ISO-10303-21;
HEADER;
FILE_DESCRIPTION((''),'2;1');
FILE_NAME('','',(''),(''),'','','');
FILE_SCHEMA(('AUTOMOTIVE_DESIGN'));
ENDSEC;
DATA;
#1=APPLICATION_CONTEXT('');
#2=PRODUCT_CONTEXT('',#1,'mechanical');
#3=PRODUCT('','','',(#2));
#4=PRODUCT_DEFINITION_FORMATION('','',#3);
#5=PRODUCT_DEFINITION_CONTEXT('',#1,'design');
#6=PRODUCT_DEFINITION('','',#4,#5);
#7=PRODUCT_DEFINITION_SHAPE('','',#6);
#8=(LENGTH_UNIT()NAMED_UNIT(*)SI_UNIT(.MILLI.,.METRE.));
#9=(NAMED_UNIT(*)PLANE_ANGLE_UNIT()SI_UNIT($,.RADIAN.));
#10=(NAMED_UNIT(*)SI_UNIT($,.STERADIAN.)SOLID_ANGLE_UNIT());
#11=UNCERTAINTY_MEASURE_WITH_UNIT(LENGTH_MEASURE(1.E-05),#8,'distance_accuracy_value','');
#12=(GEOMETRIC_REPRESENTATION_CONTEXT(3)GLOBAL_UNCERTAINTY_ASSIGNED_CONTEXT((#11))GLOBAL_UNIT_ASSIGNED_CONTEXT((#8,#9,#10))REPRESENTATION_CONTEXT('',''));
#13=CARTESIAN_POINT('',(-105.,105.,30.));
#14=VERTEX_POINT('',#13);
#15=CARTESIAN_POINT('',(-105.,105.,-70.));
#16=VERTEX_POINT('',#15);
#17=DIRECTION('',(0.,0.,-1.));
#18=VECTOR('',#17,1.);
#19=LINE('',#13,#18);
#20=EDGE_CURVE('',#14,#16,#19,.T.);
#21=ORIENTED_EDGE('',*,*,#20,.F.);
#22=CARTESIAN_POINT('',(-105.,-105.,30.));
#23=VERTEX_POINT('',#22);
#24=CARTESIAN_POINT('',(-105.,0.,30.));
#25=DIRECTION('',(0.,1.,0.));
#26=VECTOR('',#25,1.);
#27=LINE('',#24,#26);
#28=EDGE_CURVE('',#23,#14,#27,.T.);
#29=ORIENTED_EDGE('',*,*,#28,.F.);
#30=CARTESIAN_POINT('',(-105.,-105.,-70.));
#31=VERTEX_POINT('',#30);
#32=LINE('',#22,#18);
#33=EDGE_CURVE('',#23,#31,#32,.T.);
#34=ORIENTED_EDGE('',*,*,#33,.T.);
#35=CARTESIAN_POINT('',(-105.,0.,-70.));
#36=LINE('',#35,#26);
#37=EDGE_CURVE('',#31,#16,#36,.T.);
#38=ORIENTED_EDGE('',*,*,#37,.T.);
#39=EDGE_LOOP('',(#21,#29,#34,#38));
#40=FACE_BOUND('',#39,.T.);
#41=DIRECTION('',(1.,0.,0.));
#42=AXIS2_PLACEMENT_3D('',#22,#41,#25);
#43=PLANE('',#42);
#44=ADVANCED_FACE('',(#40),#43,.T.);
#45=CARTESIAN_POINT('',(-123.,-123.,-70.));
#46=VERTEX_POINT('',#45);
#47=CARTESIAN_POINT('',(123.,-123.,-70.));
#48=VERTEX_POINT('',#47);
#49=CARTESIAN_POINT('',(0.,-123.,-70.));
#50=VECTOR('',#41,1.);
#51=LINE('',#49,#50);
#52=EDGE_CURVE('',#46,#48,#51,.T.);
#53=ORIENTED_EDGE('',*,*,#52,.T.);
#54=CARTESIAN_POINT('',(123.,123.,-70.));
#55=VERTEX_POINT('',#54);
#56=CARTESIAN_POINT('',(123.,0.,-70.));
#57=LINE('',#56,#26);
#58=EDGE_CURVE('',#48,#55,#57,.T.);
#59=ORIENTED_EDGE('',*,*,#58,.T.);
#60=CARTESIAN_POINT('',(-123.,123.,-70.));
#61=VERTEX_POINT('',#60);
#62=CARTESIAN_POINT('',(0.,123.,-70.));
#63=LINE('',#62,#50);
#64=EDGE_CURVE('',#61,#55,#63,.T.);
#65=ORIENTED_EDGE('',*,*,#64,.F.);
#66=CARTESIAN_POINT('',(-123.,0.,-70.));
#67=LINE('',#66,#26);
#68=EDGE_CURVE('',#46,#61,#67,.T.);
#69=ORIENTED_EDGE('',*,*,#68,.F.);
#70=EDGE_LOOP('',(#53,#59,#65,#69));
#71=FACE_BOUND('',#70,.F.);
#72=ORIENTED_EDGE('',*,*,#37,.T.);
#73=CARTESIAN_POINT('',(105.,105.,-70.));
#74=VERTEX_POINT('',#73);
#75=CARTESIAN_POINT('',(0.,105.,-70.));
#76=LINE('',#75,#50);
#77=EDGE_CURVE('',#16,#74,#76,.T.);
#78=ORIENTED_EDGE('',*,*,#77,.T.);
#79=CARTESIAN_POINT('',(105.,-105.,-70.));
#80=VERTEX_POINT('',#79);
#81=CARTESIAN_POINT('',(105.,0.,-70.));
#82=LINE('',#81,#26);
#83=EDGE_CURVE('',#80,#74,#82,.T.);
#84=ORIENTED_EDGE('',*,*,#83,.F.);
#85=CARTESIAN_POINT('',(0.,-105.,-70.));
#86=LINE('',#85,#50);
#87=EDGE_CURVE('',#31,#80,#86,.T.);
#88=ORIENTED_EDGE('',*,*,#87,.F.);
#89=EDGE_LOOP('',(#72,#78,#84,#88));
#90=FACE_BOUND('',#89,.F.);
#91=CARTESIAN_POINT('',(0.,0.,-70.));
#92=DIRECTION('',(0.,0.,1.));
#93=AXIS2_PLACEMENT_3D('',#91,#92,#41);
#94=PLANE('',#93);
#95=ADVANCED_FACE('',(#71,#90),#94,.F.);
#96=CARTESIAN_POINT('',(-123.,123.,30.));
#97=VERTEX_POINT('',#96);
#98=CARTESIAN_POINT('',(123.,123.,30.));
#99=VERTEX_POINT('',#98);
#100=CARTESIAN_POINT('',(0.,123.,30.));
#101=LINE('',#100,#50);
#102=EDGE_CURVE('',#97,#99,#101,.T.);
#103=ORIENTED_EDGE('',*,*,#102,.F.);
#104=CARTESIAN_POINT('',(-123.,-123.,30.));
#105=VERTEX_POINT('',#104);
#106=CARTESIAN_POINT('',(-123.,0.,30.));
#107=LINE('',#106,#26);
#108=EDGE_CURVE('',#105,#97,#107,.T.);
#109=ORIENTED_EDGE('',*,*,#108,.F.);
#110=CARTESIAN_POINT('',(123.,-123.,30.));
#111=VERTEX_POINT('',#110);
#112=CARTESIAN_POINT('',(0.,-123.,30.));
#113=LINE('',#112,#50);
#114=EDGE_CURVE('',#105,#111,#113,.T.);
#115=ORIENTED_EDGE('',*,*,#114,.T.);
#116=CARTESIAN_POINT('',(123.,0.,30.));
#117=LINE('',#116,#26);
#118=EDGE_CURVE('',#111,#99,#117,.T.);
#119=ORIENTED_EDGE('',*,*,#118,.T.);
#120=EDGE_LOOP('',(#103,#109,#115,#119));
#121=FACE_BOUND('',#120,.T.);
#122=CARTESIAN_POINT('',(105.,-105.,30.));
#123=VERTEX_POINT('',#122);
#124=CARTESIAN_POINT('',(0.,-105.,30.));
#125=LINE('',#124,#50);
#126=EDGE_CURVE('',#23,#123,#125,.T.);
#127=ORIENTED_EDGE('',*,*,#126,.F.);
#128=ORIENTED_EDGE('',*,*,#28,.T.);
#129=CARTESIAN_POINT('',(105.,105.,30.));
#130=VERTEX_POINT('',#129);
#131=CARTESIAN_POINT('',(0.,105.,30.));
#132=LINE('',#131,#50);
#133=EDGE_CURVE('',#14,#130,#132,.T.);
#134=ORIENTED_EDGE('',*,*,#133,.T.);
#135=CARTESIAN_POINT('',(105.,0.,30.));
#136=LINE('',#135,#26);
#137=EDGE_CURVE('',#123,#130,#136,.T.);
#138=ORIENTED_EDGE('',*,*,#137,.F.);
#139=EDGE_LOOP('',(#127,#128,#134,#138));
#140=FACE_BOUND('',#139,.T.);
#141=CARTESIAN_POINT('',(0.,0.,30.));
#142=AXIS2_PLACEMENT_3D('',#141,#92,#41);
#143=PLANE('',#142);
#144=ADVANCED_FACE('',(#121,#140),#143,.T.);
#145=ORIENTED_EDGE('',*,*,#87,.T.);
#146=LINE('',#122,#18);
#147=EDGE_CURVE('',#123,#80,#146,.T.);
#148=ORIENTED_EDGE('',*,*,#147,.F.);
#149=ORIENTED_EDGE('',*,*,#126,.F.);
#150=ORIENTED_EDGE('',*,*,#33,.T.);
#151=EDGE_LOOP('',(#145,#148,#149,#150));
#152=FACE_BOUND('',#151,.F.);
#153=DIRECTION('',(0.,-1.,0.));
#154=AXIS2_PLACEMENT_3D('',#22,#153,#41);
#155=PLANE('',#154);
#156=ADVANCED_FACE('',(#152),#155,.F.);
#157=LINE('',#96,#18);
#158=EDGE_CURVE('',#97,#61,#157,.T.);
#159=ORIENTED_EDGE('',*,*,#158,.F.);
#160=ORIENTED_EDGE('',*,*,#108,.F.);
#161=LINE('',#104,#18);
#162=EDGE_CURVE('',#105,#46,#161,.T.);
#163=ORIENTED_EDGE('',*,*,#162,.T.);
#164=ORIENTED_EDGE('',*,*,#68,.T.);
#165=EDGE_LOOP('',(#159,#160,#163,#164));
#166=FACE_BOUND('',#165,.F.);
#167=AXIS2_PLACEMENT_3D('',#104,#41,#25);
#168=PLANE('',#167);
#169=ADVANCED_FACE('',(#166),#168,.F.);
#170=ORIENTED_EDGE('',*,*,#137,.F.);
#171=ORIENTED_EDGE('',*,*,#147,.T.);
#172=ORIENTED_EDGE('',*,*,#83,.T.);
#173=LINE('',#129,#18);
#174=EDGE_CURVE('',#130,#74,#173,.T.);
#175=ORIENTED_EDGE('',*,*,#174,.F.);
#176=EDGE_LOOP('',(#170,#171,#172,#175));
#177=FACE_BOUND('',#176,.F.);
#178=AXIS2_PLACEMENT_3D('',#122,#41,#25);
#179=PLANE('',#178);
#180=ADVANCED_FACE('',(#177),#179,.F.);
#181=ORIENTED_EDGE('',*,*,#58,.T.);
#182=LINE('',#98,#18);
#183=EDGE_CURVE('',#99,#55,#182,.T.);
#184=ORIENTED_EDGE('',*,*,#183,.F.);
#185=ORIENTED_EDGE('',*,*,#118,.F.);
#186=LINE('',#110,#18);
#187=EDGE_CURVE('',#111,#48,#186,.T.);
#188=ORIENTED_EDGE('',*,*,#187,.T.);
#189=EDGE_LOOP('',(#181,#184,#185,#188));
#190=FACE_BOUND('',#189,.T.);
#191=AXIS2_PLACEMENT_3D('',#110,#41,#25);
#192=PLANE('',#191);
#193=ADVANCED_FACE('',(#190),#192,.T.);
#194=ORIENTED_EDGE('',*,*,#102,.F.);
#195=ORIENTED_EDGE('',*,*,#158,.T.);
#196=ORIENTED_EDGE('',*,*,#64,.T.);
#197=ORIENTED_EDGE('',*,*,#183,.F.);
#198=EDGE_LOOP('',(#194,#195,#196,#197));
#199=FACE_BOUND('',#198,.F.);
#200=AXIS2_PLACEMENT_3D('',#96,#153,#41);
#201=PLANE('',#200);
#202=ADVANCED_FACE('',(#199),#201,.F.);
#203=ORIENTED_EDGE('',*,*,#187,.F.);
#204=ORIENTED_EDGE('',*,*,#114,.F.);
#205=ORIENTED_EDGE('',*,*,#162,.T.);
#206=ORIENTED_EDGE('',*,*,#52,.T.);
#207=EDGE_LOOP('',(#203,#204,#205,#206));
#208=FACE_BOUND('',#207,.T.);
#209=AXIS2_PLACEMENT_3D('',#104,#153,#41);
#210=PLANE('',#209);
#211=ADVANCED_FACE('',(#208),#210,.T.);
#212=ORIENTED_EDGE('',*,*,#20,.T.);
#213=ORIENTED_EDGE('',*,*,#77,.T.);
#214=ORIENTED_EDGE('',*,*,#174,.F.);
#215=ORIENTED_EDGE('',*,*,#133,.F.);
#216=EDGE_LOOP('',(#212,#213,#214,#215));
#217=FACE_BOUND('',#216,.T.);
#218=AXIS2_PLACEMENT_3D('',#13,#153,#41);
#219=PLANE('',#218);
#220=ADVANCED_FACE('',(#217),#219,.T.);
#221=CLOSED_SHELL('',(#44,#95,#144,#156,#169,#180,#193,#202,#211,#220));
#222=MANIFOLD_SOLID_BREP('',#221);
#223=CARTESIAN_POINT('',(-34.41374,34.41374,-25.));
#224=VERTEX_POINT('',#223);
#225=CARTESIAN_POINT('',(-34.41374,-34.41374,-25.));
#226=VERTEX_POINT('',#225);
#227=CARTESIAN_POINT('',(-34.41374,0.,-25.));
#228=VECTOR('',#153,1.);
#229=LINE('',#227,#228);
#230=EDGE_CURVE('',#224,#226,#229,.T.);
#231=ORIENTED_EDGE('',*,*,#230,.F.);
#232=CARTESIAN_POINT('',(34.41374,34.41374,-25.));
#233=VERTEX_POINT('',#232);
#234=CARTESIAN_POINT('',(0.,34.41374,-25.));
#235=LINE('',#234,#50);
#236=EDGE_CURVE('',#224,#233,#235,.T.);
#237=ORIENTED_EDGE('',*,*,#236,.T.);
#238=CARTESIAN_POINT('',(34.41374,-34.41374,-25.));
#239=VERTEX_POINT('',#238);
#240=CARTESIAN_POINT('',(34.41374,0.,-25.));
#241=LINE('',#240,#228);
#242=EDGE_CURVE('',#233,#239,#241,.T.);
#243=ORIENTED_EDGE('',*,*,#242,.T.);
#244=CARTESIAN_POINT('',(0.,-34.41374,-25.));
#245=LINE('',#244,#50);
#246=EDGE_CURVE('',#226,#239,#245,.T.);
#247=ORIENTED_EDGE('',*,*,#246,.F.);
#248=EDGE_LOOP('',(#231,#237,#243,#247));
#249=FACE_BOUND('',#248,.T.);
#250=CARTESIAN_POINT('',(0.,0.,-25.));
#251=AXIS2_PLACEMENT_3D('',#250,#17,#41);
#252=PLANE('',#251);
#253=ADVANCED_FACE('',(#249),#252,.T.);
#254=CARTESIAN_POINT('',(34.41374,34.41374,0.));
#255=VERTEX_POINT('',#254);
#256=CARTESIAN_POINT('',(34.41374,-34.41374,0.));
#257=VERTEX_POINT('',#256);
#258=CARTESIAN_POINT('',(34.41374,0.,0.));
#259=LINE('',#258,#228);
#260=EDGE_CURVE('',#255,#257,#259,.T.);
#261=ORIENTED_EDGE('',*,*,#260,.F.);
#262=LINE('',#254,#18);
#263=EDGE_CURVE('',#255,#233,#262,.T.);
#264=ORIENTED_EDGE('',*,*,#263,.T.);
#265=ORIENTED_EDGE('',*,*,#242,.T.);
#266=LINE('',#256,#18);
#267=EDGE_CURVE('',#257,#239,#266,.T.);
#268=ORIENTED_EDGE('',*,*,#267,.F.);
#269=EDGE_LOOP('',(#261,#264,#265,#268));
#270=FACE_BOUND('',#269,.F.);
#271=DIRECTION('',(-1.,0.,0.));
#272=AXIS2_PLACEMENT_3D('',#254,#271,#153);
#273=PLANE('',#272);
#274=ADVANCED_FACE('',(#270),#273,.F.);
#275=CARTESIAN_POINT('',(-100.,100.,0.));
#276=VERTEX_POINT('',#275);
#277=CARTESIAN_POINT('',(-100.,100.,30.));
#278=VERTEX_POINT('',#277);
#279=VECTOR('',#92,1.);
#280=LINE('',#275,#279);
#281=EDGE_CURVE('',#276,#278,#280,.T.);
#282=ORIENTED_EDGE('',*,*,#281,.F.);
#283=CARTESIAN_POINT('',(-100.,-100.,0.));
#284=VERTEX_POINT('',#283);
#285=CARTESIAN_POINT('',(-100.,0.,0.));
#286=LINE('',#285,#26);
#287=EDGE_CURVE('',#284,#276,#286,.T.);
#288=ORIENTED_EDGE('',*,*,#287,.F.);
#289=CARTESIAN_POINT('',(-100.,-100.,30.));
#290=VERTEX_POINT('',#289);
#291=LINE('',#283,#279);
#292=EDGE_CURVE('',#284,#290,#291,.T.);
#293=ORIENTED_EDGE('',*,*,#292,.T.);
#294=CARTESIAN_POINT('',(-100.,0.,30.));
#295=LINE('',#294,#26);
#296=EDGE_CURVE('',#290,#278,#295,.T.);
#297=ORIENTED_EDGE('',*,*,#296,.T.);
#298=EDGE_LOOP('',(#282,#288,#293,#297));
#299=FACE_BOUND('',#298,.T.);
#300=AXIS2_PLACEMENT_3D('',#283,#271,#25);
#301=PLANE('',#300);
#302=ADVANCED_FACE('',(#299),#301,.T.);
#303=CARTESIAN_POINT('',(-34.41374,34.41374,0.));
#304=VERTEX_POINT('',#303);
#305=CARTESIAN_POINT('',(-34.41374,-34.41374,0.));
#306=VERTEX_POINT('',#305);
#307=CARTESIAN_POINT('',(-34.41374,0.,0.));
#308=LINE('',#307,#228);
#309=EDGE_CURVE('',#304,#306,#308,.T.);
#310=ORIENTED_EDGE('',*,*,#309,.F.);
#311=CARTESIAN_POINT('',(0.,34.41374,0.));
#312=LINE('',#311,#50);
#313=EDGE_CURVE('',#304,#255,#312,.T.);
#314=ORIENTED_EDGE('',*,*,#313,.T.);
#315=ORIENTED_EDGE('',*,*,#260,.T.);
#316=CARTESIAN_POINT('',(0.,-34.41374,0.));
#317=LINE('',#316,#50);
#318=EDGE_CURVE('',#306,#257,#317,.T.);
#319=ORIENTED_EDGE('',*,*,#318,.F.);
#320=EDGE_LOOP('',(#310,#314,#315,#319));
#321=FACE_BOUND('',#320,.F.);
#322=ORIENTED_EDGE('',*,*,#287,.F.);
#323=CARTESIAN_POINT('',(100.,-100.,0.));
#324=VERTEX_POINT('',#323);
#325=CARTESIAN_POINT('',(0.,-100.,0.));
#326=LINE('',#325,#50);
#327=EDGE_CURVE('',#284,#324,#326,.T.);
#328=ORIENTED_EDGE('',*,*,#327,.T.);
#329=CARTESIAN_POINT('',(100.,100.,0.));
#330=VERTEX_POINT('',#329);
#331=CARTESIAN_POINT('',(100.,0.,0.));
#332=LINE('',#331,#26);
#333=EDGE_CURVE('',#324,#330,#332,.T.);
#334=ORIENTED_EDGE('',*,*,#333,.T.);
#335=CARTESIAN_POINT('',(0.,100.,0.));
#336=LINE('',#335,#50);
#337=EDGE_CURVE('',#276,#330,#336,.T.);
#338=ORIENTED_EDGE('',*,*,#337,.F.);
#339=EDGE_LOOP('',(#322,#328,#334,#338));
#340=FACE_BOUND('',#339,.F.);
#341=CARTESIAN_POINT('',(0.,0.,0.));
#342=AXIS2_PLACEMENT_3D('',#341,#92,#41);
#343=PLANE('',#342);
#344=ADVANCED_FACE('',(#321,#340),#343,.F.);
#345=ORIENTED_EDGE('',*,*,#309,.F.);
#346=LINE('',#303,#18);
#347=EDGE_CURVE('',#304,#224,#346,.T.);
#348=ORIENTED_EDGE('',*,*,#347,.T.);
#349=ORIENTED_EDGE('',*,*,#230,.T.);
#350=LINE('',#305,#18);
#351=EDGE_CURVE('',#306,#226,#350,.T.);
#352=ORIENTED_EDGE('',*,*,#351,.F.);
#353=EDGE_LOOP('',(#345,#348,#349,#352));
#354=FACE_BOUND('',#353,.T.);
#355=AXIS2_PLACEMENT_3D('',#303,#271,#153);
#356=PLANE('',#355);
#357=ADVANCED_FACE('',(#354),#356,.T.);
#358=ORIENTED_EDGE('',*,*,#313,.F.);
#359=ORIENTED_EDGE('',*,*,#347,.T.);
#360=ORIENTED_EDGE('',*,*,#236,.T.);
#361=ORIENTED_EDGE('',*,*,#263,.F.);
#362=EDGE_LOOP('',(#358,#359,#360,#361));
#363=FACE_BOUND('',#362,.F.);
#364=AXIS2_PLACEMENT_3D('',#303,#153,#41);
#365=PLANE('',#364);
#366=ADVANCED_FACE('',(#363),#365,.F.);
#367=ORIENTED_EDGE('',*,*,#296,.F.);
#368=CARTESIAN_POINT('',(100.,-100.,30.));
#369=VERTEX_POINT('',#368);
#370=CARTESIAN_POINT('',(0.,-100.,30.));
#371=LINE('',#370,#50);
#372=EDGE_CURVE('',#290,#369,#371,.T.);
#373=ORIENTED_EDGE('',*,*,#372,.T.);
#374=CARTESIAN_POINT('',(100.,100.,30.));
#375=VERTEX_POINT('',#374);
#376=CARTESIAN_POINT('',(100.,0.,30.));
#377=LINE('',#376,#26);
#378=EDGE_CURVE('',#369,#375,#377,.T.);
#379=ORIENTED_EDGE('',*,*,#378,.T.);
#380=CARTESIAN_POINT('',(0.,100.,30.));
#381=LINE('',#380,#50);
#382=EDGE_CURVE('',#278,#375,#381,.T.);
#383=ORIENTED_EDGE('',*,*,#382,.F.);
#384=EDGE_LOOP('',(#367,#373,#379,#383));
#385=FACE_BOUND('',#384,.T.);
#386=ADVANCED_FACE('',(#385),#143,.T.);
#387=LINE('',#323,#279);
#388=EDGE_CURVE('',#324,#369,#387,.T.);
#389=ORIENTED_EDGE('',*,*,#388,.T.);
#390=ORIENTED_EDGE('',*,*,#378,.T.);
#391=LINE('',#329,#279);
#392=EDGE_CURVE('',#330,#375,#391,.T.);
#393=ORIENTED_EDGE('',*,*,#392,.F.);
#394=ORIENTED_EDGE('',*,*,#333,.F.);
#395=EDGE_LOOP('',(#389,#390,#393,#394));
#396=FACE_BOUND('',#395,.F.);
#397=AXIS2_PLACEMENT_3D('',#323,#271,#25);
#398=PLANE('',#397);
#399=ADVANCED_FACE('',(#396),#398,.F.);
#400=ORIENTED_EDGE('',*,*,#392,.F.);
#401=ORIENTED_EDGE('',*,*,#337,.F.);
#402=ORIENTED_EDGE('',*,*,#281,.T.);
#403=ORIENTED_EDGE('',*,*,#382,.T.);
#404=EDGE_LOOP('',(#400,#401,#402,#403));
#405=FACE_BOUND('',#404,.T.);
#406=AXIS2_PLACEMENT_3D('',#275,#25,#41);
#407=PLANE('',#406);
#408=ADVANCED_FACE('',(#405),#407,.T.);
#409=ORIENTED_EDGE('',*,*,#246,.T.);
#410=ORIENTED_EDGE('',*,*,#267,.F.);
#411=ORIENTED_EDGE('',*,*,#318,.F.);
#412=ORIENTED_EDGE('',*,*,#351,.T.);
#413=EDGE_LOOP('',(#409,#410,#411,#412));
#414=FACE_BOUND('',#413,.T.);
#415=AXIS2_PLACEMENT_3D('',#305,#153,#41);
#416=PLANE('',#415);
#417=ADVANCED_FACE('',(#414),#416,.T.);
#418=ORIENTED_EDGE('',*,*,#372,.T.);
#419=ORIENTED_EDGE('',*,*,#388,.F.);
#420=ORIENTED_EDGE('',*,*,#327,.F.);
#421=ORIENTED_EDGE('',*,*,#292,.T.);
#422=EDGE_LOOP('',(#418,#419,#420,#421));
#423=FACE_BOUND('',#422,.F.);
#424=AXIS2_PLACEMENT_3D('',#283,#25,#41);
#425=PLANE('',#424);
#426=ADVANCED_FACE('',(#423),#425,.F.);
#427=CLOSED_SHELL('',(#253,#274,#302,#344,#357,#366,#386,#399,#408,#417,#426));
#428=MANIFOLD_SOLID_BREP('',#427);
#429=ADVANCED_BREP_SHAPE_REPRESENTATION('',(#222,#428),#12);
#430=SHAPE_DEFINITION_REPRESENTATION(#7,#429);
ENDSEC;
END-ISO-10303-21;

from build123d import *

# Parameters (mm, degrees)
F0_W     = 200
F0_H     = 200
F1_DEPTH = 30
F2_W     = 246
F2_H     = 246
F2_W_2   = 210
F2_H_2   = 210
F3_DEPTH = 100
F4_W     = 68.82748
F4_H     = 68.82748
F5_DEPTH = 25


with BuildPart() as f1:
    # F0 (on Top) → F1 (new body)
    with BuildSketch(Plane.XY):
        Rectangle(F0_W, F0_H)
    extrude(amount=F1_DEPTH)

    # F4 (on face) → F5 (join)
    with BuildSketch(Plane(origin=(0, 0, 0), x_dir=(1, 0, 0), z_dir=(0, 0, -1))):
        Rectangle(F4_W, F4_H)
    extrude(amount=F5_DEPTH)


with BuildPart() as f3:
    # F2 (on face) → F3 (new body)
    with BuildSketch(Plane.XY.offset(30)):
        Rectangle(F2_W, F2_H)
        Rectangle(F2_W_2, F2_H_2, mode=Mode.SUBTRACT)
    extrude(amount=-F3_DEPTH)


solid = Compound([f1.part, f3.part])
